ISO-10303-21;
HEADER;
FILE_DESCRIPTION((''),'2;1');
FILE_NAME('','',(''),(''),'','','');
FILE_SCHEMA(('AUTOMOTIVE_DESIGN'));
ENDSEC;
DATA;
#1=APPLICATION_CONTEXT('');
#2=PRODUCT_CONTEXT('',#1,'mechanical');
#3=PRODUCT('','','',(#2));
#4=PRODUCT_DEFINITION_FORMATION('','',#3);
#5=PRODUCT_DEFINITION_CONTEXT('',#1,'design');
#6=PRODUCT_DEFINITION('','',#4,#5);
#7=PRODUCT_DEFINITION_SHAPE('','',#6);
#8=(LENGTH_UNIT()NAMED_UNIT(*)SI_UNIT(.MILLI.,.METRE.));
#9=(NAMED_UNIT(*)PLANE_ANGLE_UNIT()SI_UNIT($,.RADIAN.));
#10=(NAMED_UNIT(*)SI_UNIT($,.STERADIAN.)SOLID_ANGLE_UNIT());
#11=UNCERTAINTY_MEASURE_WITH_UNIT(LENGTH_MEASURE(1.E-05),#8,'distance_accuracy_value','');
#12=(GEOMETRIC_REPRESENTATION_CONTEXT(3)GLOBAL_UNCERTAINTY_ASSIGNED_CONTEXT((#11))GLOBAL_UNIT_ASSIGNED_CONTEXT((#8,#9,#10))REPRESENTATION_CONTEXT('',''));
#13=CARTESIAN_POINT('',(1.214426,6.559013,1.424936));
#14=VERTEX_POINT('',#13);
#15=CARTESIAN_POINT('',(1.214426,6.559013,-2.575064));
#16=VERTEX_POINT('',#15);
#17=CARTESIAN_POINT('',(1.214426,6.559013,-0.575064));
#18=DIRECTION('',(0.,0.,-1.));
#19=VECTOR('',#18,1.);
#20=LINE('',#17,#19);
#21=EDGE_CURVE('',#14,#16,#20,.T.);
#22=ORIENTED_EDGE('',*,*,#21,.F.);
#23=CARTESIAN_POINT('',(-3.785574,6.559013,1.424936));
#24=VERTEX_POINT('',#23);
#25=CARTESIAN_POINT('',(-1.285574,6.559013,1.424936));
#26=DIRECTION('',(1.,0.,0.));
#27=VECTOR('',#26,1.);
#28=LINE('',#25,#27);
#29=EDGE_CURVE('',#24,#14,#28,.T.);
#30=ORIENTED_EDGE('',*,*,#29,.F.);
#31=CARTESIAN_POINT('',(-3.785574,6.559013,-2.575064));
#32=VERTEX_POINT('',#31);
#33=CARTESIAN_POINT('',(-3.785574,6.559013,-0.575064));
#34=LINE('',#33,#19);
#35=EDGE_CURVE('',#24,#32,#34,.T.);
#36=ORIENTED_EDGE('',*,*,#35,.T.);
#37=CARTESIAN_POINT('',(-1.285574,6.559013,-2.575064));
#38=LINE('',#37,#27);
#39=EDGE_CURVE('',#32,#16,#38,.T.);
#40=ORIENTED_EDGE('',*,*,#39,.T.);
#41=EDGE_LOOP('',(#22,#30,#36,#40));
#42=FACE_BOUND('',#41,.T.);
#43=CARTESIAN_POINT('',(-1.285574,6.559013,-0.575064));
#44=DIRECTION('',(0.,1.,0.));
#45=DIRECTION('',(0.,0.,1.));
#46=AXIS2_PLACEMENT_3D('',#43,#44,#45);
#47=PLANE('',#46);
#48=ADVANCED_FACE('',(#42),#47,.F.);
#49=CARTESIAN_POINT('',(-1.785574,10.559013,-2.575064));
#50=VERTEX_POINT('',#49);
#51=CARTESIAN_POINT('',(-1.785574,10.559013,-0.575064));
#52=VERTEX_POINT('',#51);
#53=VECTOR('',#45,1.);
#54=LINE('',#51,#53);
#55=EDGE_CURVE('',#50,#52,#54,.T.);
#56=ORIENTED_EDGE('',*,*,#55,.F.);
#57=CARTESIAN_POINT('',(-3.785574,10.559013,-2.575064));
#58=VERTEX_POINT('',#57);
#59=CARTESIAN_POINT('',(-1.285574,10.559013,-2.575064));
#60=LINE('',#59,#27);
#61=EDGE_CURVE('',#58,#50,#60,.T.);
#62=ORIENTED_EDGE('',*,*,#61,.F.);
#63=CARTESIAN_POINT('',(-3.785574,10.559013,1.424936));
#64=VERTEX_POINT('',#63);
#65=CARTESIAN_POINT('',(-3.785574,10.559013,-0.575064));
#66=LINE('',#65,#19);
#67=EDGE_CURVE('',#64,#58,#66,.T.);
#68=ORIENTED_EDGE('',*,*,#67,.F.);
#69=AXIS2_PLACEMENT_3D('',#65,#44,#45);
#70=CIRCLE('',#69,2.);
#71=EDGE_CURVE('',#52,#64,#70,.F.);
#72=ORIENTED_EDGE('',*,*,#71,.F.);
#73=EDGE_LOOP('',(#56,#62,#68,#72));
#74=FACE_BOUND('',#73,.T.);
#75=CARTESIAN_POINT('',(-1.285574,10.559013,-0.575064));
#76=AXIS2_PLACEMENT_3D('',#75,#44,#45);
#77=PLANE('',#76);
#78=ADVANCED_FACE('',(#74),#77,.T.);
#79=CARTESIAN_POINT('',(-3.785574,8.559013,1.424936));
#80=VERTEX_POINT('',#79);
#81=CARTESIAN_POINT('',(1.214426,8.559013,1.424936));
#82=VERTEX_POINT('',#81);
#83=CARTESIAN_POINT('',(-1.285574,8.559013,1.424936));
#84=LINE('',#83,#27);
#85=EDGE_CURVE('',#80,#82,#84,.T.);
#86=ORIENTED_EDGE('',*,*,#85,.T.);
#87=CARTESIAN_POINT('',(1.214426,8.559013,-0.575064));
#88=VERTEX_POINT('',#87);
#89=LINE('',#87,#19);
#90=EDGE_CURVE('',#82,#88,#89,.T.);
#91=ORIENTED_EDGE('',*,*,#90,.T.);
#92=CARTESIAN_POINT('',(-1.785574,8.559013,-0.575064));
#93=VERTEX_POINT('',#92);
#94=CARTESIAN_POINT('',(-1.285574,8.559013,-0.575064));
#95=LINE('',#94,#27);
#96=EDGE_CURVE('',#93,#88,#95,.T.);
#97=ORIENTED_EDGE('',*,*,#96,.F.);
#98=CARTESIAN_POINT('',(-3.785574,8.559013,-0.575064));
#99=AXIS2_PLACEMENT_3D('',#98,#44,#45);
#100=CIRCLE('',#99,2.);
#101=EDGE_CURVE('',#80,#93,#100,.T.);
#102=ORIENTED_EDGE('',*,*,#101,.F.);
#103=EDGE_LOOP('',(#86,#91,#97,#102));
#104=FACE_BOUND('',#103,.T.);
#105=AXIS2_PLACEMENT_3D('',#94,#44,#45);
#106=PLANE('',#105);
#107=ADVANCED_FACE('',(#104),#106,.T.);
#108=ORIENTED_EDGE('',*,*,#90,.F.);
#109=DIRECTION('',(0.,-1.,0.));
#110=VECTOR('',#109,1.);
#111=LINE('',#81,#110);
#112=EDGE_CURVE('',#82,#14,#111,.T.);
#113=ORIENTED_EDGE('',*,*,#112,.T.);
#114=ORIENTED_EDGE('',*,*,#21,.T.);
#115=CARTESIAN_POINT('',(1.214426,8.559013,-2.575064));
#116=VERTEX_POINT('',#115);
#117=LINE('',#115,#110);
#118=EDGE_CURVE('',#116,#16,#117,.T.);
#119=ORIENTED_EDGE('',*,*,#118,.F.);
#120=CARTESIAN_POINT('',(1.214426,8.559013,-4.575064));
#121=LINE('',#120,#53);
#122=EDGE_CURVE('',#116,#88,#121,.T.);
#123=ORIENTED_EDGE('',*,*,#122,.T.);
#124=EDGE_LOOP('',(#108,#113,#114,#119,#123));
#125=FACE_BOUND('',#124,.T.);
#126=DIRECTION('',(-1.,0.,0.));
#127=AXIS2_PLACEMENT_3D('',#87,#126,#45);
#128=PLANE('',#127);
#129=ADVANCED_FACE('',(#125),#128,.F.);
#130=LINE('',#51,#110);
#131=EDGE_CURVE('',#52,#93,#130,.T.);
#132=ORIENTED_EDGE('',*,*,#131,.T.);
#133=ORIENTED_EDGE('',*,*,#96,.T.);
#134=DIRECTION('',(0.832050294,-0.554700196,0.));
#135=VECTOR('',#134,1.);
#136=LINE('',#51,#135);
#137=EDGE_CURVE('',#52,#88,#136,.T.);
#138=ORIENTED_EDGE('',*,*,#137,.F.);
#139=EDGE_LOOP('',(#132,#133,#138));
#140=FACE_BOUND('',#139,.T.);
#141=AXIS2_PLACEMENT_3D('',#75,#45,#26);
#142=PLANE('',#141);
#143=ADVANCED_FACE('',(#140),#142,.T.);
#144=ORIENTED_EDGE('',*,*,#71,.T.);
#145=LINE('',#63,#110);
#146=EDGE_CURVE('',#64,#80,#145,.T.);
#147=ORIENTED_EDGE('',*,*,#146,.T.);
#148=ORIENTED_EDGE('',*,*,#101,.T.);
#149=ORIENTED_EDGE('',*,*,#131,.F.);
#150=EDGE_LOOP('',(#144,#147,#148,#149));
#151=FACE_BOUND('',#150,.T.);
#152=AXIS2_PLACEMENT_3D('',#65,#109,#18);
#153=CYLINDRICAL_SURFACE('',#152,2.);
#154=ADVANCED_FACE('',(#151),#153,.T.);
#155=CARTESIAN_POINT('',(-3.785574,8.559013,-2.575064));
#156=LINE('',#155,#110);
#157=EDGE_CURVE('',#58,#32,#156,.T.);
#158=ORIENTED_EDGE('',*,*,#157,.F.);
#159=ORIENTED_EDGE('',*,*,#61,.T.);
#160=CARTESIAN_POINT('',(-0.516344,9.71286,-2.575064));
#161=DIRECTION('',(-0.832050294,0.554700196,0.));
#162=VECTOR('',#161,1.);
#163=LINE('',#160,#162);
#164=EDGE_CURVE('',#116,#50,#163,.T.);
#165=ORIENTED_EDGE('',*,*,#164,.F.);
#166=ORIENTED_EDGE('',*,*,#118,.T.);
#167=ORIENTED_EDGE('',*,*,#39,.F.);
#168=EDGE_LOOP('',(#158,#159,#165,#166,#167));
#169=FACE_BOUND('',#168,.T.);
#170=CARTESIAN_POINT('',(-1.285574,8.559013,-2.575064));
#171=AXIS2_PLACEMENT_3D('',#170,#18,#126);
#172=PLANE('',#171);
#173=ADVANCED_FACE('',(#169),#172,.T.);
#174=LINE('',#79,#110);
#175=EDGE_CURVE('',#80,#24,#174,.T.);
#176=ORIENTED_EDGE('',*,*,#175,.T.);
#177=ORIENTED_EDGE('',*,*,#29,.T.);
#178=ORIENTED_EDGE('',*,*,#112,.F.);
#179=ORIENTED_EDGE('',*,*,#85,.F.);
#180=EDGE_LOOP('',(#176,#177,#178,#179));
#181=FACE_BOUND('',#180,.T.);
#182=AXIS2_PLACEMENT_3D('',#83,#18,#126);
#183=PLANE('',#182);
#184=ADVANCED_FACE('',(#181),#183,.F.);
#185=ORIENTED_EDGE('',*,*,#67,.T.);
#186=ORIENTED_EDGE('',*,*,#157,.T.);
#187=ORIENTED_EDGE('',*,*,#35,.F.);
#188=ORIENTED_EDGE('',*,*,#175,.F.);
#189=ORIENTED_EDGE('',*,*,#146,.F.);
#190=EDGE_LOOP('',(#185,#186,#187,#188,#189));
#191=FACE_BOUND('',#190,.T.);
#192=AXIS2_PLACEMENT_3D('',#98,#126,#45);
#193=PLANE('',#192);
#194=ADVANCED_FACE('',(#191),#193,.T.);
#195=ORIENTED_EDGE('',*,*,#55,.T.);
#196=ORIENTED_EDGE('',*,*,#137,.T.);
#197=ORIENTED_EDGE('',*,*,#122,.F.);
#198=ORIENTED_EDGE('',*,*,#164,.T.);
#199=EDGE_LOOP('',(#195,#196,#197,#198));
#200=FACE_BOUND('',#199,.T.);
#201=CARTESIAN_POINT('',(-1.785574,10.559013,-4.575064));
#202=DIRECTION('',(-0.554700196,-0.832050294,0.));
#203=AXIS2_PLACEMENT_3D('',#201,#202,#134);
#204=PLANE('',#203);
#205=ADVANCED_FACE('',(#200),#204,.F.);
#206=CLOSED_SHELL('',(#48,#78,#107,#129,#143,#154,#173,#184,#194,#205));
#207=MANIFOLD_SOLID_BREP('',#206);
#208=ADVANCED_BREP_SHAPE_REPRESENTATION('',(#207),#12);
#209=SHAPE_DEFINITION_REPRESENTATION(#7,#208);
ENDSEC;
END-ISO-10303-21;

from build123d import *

# Parameters (mm, degrees)
SKETCH_1_W          = 25
SKETCH_1_H          = 20
EXTRUDE_1_DEPTH     = 10
EXTRUDE_2_DEPTH     = 20
CUT_EXTRUDE_1_DEPTH = 20
SCALE_1_SCALE       = 0.2


with BuildPart() as part:
    # 草圖1 → 填料-伸長1 (new body)
    with BuildSketch(Plane(origin=(0, 0, 0), x_dir=(1, 0, 0), z_dir=(0, 1, 0))):
        Rectangle(SKETCH_1_W, SKETCH_1_H)
    extrude(amount=EXTRUDE_1_DEPTH)

    # 草圖1<3> → 填料-伸長2 (add)
    with BuildSketch(Plane(origin=(0, 0, 0), x_dir=(1, 0, 0), z_dir=(0, 1, 0))):
        with BuildLine():
            Line((-12.5, 10), (-12.5, -10))
            ThreePointArc((-12.5, -10), (-5.428932188, -7.071067812), (-2.5, 0))
            Line((-2.5, 0), (12.5, 0))
            Line((12.5, 0), (12.5, 10))
            Line((12.5, 10), (-12.5, 10))
        make_face()
    extrude(amount=EXTRUDE_2_DEPTH)

    # 草圖2 → 除料-伸長1 (cut)
    with BuildSketch(Plane.XY):
        Polygon((-2.5, 20), (12.5, 10), (12.5, 20), align=None)
    extrude(amount=-CUT_EXTRUDE_1_DEPTH, mode=Mode.SUBTRACT)


with BuildPart() as part_1:
    # 縮放比例1: scaled about (-1.606967999, 8.198766822, -0.718829523)
    add(part.part.scale(SCALE_1_SCALE).moved(Location((-1.285574399, 6.559013458, -0.575063618))))


solid = part_1.part
